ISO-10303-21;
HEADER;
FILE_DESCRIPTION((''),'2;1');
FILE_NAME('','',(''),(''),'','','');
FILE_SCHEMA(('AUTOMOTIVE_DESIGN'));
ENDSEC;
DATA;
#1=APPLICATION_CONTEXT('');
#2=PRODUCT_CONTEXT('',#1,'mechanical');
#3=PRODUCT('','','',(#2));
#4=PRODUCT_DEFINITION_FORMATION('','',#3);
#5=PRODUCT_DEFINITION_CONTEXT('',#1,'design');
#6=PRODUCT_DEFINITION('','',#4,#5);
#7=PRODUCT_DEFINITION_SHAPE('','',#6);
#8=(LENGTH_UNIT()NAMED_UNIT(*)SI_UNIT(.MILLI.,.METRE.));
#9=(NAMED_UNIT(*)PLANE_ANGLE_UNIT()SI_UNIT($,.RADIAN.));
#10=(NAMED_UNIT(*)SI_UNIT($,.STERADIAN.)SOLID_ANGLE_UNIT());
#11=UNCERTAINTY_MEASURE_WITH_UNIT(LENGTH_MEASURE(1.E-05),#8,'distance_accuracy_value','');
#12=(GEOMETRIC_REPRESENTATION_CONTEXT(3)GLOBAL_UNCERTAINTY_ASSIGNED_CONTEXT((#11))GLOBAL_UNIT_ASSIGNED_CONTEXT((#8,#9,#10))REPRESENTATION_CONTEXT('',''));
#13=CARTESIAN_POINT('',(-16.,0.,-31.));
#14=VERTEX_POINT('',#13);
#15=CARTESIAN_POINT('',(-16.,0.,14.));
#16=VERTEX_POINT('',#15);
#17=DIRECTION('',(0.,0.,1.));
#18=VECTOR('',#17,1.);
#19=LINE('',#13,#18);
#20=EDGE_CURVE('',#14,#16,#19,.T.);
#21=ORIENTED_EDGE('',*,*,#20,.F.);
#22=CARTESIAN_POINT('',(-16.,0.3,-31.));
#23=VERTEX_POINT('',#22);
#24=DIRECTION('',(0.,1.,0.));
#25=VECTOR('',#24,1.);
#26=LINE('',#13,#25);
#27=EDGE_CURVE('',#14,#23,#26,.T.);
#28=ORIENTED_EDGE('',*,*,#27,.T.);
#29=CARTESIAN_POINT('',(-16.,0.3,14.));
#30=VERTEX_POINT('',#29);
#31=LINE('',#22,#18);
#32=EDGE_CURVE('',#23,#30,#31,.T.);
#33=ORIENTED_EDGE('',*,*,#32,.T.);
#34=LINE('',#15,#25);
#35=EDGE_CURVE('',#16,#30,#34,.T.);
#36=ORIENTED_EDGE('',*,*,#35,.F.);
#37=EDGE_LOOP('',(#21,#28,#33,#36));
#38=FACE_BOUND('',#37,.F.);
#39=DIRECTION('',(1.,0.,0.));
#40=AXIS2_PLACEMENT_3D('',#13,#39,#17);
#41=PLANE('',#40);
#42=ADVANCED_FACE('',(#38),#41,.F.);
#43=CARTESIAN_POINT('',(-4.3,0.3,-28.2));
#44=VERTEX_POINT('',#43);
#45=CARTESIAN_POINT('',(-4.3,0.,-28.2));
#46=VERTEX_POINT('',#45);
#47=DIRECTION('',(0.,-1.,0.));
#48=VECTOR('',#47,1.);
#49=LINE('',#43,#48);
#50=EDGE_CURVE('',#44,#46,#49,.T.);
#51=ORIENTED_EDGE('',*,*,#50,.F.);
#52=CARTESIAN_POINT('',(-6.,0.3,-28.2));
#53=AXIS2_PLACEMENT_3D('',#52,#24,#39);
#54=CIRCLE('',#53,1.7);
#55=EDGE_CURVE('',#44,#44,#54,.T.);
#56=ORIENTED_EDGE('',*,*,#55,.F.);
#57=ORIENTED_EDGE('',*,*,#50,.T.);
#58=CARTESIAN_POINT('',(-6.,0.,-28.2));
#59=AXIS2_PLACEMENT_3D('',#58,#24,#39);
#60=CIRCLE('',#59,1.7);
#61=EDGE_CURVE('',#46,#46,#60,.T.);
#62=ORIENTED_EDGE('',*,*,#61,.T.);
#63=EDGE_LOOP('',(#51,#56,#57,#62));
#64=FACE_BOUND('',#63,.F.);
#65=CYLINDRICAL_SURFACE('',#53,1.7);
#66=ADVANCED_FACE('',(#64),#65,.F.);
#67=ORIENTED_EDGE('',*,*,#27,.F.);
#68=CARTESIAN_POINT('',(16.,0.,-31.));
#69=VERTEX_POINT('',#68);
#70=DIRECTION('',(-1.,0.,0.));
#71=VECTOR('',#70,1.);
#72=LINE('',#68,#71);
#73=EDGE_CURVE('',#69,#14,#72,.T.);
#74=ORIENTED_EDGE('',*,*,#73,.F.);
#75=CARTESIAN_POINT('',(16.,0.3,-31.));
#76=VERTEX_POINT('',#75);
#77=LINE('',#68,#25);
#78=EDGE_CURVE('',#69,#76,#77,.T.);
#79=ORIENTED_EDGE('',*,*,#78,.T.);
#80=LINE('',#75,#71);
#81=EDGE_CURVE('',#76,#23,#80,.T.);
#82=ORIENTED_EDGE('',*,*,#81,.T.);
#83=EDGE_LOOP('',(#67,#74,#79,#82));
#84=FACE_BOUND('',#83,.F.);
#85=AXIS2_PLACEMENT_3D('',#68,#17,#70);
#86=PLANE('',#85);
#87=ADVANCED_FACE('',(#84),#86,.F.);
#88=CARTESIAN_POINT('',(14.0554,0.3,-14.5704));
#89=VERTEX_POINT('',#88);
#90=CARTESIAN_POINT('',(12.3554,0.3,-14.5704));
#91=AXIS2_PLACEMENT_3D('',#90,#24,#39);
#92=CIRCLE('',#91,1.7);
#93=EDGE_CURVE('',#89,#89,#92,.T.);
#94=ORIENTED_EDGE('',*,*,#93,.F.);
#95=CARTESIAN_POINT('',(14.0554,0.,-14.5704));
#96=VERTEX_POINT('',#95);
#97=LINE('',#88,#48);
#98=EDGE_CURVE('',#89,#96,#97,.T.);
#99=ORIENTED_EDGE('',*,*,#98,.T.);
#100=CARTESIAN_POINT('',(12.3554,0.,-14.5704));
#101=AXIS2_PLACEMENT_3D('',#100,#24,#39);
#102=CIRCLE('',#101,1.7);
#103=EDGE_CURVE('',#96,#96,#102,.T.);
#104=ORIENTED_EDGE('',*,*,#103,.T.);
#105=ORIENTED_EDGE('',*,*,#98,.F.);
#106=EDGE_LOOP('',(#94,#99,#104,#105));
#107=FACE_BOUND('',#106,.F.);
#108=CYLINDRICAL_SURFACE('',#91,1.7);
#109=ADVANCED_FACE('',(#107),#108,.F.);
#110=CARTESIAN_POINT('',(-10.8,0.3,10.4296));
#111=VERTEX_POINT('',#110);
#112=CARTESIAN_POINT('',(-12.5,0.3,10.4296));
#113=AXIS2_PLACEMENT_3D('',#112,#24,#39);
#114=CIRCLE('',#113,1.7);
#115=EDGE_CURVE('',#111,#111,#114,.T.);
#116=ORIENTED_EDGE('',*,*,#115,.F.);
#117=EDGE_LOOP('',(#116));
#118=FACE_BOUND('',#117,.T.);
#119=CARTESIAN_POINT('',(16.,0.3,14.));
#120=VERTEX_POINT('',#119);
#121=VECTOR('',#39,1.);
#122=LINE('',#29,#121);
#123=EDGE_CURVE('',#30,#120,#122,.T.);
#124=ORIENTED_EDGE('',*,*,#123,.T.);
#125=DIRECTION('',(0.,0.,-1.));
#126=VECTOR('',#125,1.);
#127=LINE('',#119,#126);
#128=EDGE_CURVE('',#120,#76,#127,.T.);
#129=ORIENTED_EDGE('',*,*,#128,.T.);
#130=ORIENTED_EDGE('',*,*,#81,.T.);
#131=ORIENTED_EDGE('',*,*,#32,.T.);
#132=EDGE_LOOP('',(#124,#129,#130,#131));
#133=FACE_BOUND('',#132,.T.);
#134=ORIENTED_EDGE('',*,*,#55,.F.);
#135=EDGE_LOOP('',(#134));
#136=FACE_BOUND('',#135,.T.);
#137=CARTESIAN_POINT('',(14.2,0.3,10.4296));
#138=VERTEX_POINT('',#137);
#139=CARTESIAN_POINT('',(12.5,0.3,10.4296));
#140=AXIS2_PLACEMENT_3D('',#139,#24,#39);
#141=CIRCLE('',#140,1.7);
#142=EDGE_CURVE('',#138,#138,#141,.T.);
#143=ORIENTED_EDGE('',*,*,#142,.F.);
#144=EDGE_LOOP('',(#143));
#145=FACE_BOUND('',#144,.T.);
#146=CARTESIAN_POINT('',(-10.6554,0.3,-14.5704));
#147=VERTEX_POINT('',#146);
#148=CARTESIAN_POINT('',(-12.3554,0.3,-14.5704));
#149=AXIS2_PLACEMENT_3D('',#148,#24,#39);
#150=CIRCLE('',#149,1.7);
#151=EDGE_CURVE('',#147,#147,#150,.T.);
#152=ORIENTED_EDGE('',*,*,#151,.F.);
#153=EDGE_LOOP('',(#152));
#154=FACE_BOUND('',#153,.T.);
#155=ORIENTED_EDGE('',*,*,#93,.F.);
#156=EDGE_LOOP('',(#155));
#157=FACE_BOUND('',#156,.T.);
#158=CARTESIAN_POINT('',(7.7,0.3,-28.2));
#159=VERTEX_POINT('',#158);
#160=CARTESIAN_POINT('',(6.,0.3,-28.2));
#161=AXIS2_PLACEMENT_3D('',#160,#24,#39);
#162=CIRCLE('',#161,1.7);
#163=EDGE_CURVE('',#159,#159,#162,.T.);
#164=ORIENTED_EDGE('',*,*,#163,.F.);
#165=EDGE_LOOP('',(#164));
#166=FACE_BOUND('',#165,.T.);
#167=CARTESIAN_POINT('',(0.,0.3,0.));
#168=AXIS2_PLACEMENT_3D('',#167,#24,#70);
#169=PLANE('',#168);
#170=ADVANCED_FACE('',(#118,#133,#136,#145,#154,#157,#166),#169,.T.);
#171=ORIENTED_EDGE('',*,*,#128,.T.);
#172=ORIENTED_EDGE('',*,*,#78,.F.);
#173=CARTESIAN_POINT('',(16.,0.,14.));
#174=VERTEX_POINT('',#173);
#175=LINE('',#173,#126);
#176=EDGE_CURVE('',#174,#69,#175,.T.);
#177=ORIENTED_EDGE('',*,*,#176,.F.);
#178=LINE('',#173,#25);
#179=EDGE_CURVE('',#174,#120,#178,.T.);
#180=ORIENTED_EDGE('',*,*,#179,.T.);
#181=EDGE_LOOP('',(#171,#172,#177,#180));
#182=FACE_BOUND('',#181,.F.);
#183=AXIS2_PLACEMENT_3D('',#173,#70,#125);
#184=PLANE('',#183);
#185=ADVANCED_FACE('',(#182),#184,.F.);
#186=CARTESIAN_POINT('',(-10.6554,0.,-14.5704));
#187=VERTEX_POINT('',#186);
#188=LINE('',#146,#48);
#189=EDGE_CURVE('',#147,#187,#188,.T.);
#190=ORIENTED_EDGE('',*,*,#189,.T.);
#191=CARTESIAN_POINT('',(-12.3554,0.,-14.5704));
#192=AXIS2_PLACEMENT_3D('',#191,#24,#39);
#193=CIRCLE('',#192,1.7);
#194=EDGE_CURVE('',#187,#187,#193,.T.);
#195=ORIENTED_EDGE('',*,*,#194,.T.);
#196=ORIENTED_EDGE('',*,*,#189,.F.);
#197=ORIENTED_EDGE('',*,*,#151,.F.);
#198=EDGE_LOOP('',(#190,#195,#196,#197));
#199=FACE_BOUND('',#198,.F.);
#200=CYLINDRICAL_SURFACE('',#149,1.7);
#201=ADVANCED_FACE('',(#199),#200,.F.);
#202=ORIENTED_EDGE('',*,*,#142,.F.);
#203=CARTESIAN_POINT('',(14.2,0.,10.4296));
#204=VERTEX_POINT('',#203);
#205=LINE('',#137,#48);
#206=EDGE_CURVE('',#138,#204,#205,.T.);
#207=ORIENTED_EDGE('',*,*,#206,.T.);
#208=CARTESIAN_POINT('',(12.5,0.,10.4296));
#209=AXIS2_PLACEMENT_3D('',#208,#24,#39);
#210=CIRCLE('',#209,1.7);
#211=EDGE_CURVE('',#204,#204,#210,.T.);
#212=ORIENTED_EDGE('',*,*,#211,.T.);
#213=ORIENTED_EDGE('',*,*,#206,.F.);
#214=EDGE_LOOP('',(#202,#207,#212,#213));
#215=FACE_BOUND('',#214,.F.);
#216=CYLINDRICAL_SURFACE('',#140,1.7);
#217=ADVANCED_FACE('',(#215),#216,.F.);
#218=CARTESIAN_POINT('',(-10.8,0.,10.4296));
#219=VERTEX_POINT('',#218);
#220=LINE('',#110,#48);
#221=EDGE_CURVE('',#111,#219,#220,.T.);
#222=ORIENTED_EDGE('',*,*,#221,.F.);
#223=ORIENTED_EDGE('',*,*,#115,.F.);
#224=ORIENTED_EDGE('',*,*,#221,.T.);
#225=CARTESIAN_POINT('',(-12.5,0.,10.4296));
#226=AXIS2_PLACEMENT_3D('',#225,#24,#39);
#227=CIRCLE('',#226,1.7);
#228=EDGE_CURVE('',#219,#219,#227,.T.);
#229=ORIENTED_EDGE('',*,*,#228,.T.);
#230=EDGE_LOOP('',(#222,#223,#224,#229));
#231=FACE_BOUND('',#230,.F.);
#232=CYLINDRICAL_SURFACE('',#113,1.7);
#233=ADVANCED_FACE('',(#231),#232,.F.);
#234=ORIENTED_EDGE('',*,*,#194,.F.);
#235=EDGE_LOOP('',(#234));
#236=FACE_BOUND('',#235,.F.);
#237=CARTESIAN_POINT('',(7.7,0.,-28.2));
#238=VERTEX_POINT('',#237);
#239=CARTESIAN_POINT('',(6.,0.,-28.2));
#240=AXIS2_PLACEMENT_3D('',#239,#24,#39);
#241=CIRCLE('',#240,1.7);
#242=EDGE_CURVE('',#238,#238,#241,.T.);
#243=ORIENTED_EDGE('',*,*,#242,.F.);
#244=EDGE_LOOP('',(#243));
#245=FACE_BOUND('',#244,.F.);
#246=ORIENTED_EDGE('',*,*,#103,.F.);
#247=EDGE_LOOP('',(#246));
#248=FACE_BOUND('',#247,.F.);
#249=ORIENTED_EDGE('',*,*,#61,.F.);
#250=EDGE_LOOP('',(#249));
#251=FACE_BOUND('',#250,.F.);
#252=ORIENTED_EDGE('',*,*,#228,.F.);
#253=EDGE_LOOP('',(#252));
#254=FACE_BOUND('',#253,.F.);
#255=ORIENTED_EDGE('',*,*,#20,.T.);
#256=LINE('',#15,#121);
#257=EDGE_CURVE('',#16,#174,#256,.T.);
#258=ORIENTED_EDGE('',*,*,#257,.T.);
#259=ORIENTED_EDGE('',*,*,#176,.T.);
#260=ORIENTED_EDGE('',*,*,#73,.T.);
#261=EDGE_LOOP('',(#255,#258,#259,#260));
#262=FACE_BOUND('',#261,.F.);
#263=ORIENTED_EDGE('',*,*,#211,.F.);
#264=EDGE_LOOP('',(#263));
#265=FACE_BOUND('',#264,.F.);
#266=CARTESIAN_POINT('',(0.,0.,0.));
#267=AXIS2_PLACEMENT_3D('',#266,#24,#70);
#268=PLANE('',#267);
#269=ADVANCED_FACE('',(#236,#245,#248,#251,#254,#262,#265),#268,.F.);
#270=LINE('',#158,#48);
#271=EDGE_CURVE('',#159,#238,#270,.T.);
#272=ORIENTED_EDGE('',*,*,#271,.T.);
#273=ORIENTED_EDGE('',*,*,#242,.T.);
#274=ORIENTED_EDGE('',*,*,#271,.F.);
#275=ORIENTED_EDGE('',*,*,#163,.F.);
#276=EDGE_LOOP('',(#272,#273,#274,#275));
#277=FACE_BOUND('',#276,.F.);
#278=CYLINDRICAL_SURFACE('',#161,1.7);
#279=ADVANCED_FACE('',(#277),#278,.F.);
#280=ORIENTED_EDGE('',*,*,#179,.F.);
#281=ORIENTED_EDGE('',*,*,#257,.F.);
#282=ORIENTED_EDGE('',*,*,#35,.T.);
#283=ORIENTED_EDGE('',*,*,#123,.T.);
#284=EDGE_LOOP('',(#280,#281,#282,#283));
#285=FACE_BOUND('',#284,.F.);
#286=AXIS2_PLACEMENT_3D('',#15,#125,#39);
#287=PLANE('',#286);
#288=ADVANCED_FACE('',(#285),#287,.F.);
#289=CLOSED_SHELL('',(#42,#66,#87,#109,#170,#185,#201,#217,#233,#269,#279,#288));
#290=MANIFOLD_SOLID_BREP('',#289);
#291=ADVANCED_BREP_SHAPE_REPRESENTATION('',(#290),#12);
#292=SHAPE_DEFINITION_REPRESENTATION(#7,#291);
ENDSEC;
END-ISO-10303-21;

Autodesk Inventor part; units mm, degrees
ref_plane "YZ Plane" through (0, 0, 0) normal (1, 0, 0) x (0, 1, 0)
ref_plane "XZ Plane" through (0, 0, 0) normal (0, 1, 0) x (-1, 0, 0)
ref_plane "XY Plane" through (0, 0, 0) normal (0, 0, 1) x (1, 0, 0)
sketch "スケッチ1" plane through (0, 0, 0) normal (0, 1, 0) x (-1, 0, 0)
  line L0 (16, -31) -> (16, 14)
  line L1 (16, 14) -> (-16, 14)
  line L2 (-16, 14) -> (-16, -31)
  line L3 (-16, -31) -> (16, -31)
  line L4 (0, 0) -> (0, -32.6995) construction
  point P0 (0, 14)
  dimension "d0" = 45
  dimension "d1" = 32
  dimension "d2" = 14
extrude "押し出し1" add sketch "スケッチ1" along normal blind 0.3
sketch "スケッチ4" plane through (0, 0.3, 0) normal (0, 1, 0) x (1, 0, 0)
  line L0 (0, 0) -> (-18.7084, 0) construction
  circle A0 centre (-6, 28.2) radius 1.7
  circle A1 centre (6, 28.2) radius 1.7
  line L1 (0, 0) -> (0, 29.6633) construction
  line L2 (16, 31) -> (-16, 31) projected
  point P0 (0, 31)
  dimension "d35" = 3.4
  dimension "d36" = 3.4
  dimension "d37" = 6
  dimension "d38" = 2.8
extrude "押し出し3" cut sketch "スケッチ4" against normal through all
sketch "スケッチ7" plane through (0, 0.3, 0) normal (0, 1, 0) x (1, 0, 0)
  circle A0 centre (-12.5, -10.4296) radius 1.7
  circle A1 centre (12.5, -10.4296) radius 1.7
  circle A2 centre (12.3554, 14.5704) radius 1.7
  circle A3 centre (-12.3554, 14.5704) radius 1.7
  line L0 (0, 0) -> (0, 34.4459) construction
  dimension "d47" = 3.4
  dimension "d48" = 3.4
  dimension "d49" = 3.4
  dimension "d50" = 3.4
  dimension "d51" = 25
  dimension "d52" = 25
extrude "押し出し6" cut sketch "スケッチ7" against normal through all
properties part number "B_holder_sub_muti-holes" material "ステンレス鋼 440C"
